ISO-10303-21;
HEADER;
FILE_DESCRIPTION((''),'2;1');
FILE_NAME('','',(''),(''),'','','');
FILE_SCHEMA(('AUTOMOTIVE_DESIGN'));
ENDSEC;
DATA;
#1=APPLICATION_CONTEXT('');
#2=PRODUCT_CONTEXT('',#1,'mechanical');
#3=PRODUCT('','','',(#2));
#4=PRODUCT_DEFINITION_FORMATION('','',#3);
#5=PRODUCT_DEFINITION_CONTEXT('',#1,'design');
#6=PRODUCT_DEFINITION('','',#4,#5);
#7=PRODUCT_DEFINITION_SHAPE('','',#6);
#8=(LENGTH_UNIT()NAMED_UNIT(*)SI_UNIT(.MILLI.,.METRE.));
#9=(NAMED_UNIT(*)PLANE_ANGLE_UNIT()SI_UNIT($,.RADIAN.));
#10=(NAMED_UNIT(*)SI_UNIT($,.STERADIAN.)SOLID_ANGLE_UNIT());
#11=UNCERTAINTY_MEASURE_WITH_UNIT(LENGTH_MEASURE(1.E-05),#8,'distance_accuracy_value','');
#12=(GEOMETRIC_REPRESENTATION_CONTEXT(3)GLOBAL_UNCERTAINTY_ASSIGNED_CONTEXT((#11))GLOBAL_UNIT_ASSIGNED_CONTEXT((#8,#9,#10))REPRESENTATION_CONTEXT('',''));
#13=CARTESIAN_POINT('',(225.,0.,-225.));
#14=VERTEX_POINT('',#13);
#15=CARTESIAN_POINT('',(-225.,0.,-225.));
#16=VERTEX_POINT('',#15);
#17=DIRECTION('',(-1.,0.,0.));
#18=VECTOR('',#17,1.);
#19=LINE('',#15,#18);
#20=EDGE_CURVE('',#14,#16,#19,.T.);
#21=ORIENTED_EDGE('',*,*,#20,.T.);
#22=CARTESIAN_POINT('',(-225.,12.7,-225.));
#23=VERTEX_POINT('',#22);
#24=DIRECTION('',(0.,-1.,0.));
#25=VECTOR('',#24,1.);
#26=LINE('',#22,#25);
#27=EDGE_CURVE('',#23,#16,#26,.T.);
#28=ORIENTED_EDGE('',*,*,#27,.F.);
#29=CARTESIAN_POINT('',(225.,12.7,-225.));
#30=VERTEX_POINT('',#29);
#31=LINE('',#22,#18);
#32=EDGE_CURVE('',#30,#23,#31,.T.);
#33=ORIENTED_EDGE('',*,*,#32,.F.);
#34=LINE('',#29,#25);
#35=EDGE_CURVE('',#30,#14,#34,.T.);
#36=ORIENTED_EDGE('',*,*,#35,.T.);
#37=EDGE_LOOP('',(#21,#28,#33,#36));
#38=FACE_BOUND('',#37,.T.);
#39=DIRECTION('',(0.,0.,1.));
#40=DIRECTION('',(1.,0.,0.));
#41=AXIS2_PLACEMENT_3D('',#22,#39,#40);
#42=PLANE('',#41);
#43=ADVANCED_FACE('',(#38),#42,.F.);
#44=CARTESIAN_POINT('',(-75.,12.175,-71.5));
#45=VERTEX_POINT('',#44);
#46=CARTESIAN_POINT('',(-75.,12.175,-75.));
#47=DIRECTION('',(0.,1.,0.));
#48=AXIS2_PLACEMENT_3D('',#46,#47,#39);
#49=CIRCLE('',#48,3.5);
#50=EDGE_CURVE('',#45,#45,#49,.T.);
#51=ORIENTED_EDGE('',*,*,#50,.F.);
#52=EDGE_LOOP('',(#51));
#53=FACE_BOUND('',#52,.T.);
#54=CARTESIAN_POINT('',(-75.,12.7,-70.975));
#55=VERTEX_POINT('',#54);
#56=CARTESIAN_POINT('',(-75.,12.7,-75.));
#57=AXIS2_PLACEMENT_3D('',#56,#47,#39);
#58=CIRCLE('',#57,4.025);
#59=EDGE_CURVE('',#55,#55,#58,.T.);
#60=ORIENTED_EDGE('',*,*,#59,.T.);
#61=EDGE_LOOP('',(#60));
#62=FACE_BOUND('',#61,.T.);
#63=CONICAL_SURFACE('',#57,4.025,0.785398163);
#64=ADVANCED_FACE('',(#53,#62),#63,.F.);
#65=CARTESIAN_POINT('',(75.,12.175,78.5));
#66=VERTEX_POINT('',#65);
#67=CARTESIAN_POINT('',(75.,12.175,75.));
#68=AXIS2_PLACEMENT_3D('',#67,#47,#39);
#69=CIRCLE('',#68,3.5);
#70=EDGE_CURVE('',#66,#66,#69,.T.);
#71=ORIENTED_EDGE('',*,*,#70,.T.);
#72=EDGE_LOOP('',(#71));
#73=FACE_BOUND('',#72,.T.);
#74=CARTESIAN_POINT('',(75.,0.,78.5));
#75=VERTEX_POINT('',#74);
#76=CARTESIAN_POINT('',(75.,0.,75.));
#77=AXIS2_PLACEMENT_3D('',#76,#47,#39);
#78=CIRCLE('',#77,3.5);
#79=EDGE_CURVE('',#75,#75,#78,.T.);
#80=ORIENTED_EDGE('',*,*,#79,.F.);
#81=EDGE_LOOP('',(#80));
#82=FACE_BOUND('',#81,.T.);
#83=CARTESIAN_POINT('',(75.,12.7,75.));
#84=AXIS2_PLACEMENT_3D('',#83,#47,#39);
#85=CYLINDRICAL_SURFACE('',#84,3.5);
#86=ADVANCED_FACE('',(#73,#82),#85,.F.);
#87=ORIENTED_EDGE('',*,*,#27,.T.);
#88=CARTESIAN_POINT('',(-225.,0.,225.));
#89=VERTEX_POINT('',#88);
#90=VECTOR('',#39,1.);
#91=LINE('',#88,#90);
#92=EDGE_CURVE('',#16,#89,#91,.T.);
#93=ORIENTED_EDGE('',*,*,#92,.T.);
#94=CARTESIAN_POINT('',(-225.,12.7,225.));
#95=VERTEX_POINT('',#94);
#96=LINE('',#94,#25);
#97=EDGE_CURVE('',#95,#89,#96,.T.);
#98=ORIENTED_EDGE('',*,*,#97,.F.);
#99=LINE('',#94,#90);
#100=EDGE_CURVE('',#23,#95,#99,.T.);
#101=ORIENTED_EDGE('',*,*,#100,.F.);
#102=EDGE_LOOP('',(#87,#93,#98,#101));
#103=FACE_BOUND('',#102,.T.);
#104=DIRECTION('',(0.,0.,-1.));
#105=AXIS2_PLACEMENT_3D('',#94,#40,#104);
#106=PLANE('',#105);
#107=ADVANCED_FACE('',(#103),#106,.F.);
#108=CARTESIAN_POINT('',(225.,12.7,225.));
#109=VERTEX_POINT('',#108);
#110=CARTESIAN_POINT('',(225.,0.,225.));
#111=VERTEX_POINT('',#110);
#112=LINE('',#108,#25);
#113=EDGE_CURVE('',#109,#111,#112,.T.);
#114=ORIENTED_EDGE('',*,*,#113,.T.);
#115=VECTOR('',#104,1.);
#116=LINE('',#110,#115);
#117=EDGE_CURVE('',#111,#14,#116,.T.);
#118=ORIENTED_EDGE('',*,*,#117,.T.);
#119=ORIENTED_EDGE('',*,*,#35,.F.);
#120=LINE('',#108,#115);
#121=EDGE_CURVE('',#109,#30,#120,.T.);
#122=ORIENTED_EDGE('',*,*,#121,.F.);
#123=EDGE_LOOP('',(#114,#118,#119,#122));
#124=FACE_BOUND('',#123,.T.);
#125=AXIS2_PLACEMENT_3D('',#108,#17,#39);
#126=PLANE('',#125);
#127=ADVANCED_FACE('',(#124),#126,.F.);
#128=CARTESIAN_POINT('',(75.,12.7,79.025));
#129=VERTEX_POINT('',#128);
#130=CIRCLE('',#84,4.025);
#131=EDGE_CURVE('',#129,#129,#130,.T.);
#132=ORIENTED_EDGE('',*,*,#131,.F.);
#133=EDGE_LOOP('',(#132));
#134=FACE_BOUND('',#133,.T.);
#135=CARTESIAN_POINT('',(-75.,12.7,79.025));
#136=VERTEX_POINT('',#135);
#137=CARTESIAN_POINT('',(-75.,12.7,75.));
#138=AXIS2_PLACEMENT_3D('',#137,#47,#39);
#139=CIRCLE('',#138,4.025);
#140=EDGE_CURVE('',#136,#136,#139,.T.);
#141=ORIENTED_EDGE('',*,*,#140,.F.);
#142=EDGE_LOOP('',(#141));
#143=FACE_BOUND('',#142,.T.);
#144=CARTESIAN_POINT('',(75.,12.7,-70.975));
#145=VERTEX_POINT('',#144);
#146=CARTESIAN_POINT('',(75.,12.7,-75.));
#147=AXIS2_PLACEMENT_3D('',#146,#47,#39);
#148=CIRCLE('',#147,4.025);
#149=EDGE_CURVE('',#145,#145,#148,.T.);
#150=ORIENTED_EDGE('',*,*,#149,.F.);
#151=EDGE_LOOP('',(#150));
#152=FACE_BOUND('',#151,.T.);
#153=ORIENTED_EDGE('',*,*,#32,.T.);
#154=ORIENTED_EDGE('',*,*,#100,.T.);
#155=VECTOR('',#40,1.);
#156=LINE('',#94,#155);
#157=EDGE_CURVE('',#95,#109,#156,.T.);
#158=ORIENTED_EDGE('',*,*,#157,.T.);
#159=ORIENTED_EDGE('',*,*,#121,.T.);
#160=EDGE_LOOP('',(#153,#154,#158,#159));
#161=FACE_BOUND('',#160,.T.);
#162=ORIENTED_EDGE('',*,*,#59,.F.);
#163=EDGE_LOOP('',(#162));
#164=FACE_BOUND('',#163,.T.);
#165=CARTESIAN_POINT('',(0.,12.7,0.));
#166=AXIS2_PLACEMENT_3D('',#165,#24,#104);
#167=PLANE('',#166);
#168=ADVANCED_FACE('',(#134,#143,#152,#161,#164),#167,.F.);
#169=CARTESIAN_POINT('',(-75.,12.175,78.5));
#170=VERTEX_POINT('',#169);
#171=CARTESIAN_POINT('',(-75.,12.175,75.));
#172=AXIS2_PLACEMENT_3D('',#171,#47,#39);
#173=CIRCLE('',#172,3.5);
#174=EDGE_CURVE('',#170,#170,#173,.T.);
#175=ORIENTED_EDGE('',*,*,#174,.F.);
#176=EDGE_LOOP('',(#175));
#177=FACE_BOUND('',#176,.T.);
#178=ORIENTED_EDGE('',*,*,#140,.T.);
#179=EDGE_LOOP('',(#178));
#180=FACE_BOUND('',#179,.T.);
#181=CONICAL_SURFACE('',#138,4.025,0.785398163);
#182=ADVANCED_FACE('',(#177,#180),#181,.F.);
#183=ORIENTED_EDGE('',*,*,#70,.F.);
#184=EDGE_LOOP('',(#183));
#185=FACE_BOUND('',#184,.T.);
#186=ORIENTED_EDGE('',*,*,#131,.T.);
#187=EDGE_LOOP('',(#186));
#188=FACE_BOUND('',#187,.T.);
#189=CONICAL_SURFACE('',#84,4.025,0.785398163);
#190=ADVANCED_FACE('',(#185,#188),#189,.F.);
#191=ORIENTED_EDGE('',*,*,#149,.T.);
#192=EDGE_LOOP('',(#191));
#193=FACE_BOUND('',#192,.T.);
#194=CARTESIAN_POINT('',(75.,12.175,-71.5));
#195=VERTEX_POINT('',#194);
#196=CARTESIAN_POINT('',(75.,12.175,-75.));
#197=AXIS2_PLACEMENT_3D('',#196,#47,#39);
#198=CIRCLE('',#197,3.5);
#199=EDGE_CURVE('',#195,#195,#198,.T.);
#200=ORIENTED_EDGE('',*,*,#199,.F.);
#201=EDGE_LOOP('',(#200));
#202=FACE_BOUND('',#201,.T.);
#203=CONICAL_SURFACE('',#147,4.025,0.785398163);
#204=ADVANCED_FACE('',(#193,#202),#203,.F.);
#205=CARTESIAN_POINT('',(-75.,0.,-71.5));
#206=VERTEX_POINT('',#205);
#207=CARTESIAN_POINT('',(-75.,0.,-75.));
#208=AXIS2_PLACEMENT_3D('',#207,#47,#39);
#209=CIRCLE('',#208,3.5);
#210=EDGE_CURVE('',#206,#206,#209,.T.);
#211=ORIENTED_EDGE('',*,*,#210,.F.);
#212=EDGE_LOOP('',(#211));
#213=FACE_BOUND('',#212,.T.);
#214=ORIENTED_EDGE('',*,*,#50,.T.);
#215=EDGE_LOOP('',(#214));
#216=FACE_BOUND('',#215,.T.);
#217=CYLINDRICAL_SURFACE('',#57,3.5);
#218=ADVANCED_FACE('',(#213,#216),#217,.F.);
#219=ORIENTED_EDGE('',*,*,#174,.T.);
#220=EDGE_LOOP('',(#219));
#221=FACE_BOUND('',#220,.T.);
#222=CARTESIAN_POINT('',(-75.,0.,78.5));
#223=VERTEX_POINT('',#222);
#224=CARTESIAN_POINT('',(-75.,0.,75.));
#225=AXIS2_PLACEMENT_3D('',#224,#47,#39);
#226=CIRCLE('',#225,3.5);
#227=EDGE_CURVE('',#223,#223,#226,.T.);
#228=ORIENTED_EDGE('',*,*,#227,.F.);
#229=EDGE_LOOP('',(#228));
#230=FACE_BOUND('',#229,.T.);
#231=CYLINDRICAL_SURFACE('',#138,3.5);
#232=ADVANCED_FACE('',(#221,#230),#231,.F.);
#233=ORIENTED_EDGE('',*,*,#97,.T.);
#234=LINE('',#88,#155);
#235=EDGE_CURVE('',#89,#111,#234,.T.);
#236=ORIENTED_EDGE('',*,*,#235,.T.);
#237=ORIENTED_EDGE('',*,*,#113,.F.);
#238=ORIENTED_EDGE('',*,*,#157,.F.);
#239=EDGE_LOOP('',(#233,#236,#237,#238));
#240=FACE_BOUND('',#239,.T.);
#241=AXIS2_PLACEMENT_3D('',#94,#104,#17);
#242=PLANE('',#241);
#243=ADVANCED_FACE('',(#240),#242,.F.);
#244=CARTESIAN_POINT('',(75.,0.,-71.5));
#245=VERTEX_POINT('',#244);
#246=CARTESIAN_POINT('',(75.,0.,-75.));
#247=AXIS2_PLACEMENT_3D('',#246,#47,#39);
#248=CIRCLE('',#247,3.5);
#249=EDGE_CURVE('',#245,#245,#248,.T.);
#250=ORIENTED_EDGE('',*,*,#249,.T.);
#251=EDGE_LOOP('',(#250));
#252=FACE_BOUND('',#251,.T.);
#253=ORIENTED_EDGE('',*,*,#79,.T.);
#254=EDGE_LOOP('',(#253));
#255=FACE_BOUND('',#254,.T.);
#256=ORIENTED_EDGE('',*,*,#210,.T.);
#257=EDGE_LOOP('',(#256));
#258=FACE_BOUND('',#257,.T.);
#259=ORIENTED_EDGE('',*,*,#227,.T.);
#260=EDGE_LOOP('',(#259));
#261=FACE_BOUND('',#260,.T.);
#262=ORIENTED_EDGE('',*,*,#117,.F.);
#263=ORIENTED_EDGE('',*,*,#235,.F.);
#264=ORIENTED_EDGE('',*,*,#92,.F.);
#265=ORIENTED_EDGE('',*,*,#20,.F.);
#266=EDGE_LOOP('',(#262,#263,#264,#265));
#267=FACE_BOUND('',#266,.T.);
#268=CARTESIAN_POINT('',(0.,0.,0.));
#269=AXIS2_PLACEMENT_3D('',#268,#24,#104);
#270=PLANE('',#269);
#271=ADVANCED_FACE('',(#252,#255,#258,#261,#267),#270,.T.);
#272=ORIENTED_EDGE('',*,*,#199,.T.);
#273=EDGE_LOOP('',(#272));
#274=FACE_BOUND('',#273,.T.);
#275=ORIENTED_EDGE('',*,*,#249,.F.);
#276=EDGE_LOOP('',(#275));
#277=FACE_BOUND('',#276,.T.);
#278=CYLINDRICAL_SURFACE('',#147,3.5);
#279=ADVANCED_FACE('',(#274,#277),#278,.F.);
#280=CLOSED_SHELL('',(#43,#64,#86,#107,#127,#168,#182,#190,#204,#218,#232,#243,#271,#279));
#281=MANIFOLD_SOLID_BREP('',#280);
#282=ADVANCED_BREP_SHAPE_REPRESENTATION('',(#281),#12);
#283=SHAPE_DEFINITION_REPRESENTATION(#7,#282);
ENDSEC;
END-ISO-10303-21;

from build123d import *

# Parameters (mm, degrees)
ESBO_O1_W                           = 450
ESBO_O1_H                           = 450
RESSALTO_EXTRUS_O1_DEPTH            = 12.7
FURO_ROSCADO_DE_M8X1_01_D           = 7
FURO_ROSCADO_DE_M8X1_01_CSINK_D     = 8.05
FURO_ROSCADO_DE_M8X1_01_CSINK_ANGLE = 90


with BuildPart() as part:
    # Esboço1 → Ressalto-extrusão1 (new body)
    with BuildSketch(Plane(origin=(0, 0, 0), x_dir=(1, 0, 0), z_dir=(0, 1, 0))):
        Rectangle(ESBO_O1_W, ESBO_O1_H)
    extrude(amount=RESSALTO_EXTRUS_O1_DEPTH)

    # Furo roscado de M8x1.01 (through all)
    with Locations(Plane(origin=(0, 12.7, 0), x_dir=(1, 0, 0), z_dir=(0, 1, 0))):
        with Locations((-75, 75), (75, 75), (75, -75), (-75, -75)):
            CounterSinkHole(FURO_ROSCADO_DE_M8X1_01_D / 2, FURO_ROSCADO_DE_M8X1_01_CSINK_D / 2, counter_sink_angle=FURO_ROSCADO_DE_M8X1_01_CSINK_ANGLE)


solid = part.part
